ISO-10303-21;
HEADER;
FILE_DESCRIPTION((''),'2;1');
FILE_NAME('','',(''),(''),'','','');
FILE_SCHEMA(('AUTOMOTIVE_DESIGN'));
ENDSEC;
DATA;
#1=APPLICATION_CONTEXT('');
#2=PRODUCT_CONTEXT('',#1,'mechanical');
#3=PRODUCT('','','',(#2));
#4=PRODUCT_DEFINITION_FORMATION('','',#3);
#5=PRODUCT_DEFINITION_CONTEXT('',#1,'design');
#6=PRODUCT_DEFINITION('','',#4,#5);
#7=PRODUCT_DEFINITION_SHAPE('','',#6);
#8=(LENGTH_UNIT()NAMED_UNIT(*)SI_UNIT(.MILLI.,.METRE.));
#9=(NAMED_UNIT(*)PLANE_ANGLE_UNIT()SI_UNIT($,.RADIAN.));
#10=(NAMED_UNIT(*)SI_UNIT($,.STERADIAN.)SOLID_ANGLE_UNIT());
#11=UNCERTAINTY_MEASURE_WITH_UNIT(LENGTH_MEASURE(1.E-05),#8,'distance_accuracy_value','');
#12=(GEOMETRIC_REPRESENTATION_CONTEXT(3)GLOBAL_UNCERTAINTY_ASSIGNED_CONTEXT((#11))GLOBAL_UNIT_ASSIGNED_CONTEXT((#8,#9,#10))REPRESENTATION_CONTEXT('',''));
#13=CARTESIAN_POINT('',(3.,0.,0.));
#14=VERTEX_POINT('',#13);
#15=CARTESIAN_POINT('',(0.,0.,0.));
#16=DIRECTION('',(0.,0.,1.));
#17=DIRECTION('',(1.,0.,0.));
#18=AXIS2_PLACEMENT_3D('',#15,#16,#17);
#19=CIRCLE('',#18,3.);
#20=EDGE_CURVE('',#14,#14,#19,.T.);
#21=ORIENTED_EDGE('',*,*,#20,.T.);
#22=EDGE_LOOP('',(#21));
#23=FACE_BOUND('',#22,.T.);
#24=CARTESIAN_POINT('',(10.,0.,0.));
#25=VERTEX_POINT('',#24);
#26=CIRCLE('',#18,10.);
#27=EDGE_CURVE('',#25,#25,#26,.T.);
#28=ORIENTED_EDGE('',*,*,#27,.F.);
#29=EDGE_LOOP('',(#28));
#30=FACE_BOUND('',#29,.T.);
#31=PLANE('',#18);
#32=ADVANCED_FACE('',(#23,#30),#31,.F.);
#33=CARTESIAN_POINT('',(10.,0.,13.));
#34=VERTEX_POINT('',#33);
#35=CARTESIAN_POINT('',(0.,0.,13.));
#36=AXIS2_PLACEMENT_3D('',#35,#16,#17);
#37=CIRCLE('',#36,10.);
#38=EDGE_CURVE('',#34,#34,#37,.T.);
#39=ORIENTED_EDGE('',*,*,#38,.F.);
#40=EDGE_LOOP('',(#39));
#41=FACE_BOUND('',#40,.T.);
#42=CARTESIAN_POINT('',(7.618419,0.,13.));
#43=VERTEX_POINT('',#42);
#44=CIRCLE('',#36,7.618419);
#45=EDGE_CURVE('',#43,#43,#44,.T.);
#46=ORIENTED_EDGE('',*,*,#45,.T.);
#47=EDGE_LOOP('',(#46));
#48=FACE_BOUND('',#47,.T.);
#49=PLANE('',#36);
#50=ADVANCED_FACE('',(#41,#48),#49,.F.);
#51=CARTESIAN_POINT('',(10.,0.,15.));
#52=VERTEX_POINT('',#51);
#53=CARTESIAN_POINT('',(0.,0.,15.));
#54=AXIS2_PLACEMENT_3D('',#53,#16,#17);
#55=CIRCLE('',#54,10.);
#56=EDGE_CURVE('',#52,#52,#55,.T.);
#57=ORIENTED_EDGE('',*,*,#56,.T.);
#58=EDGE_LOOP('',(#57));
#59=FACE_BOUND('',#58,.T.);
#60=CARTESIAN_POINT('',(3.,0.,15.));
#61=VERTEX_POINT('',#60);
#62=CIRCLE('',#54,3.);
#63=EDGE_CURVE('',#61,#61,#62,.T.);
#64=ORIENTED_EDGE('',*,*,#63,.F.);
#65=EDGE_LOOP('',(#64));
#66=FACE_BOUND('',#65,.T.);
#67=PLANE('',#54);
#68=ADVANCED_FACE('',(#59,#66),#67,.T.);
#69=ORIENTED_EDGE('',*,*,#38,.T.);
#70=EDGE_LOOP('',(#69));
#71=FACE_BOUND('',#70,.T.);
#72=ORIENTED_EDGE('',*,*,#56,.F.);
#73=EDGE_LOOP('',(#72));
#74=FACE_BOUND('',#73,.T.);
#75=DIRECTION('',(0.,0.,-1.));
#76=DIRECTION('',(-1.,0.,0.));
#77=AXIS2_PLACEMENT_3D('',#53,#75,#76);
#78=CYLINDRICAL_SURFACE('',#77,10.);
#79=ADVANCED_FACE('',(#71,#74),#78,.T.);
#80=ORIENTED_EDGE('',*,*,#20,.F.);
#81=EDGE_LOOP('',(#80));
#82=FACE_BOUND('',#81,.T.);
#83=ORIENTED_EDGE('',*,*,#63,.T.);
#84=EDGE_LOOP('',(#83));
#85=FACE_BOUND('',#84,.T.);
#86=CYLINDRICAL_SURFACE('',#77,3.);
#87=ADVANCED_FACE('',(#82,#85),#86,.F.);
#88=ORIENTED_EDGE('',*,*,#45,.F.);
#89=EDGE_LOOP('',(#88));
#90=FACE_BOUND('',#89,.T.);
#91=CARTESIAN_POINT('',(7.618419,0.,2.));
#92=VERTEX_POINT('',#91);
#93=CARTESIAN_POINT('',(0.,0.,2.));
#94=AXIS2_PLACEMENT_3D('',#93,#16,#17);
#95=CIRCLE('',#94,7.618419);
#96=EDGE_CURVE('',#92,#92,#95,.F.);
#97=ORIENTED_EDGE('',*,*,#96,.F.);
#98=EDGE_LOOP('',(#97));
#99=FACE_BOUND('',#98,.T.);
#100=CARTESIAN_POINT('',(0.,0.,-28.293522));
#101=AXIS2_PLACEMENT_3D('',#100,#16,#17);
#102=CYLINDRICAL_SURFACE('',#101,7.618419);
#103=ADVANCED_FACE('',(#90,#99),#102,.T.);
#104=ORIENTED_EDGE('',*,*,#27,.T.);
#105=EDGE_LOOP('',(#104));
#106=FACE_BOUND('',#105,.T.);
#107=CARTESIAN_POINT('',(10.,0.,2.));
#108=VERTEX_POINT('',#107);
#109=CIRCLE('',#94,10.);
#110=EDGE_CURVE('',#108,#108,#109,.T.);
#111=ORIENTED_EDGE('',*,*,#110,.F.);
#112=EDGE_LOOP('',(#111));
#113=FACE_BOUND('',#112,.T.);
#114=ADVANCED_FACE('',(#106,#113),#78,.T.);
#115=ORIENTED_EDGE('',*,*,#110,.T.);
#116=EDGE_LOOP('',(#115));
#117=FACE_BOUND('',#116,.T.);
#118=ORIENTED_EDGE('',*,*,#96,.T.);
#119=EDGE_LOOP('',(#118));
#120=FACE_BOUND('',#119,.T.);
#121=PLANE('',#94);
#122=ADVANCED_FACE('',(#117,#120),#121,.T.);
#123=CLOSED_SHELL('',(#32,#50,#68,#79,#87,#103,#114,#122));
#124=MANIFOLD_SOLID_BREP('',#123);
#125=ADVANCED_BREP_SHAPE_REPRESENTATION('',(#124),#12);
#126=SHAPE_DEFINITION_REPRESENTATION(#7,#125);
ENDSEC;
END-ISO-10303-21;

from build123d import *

# Parameters (mm, degrees)
SKETCH1_R           = 10
SKETCH1_R_2         = 3
BOSS_EXTRUDE1_DEPTH = 15
CUT_EXTRUDE1_START  = -2
SKETCH2_R           = 10.003270656
SKETCH2_R_2         = 7.618419173
CUT_EXTRUDE1_DEPTH  = 11


with BuildPart() as part:
    # Sketch1 → Boss-Extrude1 (new body)
    with BuildSketch(Plane.XY):
        Circle(SKETCH1_R)
        Circle(SKETCH1_R_2, mode=Mode.SUBTRACT)
    extrude(amount=BOSS_EXTRUDE1_DEPTH)

    # Sketch2 → Cut-Extrude1 (cut)
    with BuildSketch(Plane.XY.offset(15).offset(CUT_EXTRUDE1_START)):
        Circle(SKETCH2_R)
        Circle(SKETCH2_R_2, mode=Mode.SUBTRACT)
    extrude(amount=-CUT_EXTRUDE1_DEPTH, mode=Mode.SUBTRACT)


solid = part.part
